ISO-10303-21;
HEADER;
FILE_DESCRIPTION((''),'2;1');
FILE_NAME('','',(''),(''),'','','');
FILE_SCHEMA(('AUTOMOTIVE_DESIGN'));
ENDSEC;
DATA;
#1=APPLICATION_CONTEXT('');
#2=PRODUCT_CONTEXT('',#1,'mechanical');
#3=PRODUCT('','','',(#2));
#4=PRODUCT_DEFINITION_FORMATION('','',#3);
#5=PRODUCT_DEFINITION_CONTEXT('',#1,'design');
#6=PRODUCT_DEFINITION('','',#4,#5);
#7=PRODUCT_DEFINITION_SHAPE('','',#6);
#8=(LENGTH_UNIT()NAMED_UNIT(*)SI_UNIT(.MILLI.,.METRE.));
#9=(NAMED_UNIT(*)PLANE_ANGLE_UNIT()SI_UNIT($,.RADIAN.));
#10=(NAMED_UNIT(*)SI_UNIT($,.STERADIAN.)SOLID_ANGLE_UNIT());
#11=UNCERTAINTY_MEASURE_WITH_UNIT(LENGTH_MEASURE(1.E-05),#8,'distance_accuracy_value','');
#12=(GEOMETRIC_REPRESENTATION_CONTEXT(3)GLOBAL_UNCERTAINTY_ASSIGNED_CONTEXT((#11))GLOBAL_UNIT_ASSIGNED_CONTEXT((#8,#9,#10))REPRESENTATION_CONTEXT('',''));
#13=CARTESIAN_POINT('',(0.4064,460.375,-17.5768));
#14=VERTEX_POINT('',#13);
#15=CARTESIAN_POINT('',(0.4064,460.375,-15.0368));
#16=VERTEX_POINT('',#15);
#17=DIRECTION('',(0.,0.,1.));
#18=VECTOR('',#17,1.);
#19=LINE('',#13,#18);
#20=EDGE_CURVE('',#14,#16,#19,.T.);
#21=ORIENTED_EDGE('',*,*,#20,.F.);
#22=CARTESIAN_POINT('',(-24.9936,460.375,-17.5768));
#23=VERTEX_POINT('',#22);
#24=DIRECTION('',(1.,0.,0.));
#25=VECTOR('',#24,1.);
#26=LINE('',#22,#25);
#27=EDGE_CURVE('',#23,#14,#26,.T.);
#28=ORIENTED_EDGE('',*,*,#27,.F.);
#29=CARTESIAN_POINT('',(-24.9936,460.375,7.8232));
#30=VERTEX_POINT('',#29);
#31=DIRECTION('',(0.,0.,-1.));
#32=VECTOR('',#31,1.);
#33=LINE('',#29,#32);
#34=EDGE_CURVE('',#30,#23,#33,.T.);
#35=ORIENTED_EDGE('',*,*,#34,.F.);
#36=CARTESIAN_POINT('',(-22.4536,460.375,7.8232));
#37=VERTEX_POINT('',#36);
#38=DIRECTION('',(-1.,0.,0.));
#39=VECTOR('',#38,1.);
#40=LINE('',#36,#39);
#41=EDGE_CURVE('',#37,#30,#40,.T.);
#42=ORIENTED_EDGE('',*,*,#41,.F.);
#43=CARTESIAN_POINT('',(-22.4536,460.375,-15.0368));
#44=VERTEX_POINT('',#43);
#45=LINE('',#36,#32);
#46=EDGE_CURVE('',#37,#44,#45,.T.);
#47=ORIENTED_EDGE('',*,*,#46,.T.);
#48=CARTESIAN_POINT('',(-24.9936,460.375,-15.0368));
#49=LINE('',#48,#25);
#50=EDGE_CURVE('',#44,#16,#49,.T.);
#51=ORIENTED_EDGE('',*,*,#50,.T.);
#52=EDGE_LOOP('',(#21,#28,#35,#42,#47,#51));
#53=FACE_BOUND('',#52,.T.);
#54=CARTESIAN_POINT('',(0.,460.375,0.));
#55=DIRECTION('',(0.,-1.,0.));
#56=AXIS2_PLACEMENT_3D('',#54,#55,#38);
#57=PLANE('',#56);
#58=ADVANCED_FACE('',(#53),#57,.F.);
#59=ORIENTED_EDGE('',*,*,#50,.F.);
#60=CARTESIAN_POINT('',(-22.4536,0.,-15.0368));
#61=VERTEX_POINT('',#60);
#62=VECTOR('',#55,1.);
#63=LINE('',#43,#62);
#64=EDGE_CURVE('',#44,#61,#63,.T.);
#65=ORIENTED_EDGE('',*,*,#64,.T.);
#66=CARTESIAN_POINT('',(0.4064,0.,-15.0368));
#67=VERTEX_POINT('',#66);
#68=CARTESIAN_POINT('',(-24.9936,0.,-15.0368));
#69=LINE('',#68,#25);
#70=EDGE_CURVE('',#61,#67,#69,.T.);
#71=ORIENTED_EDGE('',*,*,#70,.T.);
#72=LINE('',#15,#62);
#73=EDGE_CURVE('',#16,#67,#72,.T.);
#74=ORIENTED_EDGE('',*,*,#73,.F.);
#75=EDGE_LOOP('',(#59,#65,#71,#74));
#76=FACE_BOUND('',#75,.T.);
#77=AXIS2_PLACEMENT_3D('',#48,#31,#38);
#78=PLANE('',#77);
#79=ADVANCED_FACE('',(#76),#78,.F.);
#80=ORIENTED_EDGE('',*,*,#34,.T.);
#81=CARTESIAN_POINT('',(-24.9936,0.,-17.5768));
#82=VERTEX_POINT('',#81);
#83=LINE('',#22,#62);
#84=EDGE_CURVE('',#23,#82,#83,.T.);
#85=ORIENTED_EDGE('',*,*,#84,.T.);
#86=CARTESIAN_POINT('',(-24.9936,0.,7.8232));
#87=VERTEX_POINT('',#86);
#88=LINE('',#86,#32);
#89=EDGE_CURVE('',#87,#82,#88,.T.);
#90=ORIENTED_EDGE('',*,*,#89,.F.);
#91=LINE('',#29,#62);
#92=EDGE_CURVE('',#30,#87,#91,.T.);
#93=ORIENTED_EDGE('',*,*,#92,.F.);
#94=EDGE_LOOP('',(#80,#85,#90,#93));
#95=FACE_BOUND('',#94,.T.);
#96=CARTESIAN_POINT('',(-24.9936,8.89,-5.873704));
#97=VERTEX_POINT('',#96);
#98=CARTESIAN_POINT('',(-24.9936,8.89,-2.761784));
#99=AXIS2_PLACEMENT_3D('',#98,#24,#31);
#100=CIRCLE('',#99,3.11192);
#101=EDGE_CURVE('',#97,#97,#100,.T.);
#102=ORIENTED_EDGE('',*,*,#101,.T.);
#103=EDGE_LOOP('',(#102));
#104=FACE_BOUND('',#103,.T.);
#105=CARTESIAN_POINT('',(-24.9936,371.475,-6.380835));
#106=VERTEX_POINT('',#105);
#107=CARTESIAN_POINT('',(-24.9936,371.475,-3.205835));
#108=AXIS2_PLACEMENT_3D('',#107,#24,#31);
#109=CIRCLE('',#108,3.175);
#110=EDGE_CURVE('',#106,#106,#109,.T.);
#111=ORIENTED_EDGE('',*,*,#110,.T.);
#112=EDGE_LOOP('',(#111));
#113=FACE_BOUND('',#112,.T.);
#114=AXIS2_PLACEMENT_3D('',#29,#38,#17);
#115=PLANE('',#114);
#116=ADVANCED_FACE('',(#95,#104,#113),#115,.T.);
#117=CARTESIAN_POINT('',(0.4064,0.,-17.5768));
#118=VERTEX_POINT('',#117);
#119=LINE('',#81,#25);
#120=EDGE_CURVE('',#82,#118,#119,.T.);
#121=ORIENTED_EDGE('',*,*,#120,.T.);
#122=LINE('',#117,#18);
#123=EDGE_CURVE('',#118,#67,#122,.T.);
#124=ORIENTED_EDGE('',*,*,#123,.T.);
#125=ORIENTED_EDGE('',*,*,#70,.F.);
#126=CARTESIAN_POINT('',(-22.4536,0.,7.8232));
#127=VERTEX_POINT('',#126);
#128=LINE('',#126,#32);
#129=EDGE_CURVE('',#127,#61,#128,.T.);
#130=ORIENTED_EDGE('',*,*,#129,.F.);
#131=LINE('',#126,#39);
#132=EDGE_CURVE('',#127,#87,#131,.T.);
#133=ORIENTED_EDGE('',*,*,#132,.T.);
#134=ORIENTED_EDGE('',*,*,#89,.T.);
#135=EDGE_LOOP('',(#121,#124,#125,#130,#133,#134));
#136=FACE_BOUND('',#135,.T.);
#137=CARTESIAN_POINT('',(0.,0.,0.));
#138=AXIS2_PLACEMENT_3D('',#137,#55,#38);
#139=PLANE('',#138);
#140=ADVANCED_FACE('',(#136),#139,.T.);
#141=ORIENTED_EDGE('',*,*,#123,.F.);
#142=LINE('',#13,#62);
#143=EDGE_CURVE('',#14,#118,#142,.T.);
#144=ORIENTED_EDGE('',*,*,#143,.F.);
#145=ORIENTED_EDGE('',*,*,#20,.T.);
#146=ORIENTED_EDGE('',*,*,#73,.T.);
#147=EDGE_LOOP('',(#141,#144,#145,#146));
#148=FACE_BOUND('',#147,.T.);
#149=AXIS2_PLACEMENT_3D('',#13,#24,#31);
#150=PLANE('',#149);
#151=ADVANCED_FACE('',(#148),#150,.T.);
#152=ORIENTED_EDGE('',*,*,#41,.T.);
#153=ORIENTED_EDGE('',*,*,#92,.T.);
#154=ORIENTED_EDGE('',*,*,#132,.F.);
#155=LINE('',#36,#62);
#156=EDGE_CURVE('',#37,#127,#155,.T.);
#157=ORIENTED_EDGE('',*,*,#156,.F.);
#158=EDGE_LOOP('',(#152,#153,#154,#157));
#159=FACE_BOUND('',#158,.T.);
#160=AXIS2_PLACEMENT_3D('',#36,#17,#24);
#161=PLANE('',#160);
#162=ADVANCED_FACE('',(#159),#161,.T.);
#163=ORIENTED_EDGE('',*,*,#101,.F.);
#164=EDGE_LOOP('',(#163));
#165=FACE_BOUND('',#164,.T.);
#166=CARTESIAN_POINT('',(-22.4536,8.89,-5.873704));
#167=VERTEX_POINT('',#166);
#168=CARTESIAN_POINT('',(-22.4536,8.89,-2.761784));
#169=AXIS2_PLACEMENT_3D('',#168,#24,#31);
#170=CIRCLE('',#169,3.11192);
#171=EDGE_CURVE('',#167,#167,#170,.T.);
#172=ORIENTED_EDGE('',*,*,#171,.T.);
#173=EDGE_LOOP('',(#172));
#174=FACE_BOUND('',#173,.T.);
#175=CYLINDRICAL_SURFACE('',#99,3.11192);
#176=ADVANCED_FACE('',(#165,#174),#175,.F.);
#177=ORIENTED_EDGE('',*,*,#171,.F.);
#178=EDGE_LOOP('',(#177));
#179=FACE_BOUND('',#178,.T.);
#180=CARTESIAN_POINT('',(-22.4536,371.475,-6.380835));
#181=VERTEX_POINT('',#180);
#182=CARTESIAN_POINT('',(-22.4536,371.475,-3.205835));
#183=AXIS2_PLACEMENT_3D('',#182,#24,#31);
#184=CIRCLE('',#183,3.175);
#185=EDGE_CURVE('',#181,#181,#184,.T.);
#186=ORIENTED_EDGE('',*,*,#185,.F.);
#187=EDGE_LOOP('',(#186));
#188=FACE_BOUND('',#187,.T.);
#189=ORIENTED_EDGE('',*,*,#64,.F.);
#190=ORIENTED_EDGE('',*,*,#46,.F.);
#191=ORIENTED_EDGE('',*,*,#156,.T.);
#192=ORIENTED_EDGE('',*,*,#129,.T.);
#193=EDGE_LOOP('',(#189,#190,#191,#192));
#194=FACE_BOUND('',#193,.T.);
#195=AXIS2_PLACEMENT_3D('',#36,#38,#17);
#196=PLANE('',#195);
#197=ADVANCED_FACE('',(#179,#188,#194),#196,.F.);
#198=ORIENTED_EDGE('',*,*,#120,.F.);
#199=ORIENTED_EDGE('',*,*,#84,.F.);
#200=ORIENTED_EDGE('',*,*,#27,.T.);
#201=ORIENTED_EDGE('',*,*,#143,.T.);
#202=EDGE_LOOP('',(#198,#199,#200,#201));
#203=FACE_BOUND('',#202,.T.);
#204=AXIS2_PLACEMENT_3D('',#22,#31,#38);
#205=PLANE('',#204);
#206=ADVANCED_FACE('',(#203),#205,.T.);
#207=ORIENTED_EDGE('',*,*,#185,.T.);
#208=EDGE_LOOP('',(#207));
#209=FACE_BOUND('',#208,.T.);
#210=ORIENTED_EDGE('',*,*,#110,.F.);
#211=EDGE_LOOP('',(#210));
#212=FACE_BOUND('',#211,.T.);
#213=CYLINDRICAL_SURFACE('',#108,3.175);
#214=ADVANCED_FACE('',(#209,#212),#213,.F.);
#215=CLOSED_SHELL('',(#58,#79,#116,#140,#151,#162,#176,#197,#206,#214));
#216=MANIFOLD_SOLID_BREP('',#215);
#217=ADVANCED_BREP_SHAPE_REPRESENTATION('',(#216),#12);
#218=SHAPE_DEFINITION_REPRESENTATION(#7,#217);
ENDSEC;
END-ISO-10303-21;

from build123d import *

# Parameters (mm, degrees)
EXTRUDE_THIN1_DEPTH = 460.375
SKETCH3_R           = 3.175
CUT_EXTRUDE1_DEPTH  = 462.277209629
SKETCH4_R           = 3.111919631
CUT_EXTRUDE2_DEPTH  = 462.277209629


with BuildPart() as part:
    # Sketch1 → Extrude-Thin1 (new body)
    with BuildSketch(Plane(origin=(0, 0, 0), x_dir=(1, 0, 0), z_dir=(0, 1, 0))):
        Polygon((-24.9936, -7.8232), (-24.9936, 17.5768), (0.4064, 17.5768), (0.4064, 15.0368), (-22.4536, 15.0368), (-22.4536, -7.8232), align=None)
    extrude(amount=EXTRUDE_THIN1_DEPTH)

    # Sketch3 → Cut-Extrude1 (cut, through all)
    with BuildSketch(Plane(origin=(-22.4536, 0, 0), x_dir=(0, 0, -1), z_dir=(1, 0, 0))):
        with Locations((3.205834921, 371.475)):
            Circle(SKETCH3_R)
    extrude(amount=-CUT_EXTRUDE1_DEPTH, mode=Mode.SUBTRACT)

    # Sketch4 → Cut-Extrude2 (cut, through all)
    with BuildSketch(Plane(origin=(-22.4536, 0, 0), x_dir=(0, 0, -1), z_dir=(1, 0, 0))):
        with Locations((2.761783971, 8.89)):
            Circle(SKETCH4_R)
    extrude(amount=-CUT_EXTRUDE2_DEPTH, mode=Mode.SUBTRACT)


solid = part.part
